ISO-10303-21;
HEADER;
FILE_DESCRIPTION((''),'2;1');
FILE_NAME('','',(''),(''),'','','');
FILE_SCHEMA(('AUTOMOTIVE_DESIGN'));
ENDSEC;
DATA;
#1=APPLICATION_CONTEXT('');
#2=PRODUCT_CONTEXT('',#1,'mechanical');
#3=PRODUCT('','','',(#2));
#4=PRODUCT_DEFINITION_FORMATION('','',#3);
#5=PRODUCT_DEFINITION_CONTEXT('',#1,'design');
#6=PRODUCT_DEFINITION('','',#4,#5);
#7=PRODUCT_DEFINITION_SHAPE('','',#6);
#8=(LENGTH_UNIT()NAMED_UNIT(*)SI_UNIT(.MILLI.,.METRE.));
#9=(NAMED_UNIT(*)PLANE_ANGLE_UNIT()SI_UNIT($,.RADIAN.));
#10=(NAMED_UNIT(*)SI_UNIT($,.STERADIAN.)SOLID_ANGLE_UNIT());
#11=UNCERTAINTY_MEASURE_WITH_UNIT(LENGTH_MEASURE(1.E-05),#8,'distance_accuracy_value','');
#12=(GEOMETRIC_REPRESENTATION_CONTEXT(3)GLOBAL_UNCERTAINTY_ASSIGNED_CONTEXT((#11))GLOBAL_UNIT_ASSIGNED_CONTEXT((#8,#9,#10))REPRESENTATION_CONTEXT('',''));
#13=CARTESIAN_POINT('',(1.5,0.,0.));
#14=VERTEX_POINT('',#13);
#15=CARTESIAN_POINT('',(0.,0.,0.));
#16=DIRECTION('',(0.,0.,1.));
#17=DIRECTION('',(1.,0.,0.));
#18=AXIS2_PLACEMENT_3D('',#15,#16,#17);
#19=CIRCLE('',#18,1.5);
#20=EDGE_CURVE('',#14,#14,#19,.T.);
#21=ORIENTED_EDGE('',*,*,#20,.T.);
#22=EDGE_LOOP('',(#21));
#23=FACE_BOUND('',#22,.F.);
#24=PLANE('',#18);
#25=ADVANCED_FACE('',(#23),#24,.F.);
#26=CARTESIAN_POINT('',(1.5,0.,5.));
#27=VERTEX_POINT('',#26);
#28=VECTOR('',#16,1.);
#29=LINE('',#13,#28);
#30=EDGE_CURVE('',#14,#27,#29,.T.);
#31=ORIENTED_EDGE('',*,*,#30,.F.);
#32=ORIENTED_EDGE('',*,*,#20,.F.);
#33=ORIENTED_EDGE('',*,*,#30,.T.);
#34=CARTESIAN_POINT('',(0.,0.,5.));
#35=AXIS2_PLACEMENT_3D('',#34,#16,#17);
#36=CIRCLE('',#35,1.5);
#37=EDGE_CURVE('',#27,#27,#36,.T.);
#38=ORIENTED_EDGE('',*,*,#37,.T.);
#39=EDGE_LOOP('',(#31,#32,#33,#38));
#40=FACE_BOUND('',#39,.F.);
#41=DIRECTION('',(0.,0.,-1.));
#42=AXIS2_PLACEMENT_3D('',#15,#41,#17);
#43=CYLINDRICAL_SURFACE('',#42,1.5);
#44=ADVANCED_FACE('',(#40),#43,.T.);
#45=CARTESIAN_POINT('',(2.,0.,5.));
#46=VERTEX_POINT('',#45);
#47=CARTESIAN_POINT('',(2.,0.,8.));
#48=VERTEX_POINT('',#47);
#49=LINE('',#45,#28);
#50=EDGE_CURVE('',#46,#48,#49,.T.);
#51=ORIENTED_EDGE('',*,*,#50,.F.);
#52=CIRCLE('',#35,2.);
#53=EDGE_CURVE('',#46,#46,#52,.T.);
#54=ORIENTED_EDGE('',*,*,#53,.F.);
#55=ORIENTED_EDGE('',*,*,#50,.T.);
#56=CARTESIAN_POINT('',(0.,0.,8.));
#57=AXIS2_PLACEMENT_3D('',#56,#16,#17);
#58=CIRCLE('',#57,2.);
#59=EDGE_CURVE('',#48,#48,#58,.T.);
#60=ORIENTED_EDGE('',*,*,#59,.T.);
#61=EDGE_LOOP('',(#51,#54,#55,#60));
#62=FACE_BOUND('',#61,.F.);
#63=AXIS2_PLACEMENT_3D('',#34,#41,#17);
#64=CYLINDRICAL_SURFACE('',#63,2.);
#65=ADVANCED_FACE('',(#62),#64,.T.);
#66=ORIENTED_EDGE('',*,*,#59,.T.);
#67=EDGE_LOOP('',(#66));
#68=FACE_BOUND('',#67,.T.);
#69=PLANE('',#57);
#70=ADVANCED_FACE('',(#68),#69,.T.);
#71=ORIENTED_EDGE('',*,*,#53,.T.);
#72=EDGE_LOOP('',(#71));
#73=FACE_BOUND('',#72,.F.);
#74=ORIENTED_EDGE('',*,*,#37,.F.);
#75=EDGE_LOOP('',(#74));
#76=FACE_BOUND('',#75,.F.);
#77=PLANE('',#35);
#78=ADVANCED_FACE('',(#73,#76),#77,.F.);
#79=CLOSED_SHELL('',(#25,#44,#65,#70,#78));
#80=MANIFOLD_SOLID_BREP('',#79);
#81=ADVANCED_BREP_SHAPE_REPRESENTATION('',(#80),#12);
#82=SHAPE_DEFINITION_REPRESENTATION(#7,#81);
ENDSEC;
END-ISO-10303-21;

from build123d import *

# Parameters (mm, degrees)
SKETCH_R     = 1.5
PAD_DEPTH    = 5
SKETCH001_R  = 2
PAD001_DEPTH = 3


with BuildPart() as part:
    # Sketch → Pad (new body)
    with BuildSketch(Plane.XY):
        Circle(SKETCH_R)
    extrude(amount=PAD_DEPTH)

    # Sketch001 (on Face3 of Pad) → Pad001 (join)
    with BuildSketch(Plane.XY.offset(5)):
        Circle(SKETCH001_R)
    extrude(amount=PAD001_DEPTH)


solid = part.part
